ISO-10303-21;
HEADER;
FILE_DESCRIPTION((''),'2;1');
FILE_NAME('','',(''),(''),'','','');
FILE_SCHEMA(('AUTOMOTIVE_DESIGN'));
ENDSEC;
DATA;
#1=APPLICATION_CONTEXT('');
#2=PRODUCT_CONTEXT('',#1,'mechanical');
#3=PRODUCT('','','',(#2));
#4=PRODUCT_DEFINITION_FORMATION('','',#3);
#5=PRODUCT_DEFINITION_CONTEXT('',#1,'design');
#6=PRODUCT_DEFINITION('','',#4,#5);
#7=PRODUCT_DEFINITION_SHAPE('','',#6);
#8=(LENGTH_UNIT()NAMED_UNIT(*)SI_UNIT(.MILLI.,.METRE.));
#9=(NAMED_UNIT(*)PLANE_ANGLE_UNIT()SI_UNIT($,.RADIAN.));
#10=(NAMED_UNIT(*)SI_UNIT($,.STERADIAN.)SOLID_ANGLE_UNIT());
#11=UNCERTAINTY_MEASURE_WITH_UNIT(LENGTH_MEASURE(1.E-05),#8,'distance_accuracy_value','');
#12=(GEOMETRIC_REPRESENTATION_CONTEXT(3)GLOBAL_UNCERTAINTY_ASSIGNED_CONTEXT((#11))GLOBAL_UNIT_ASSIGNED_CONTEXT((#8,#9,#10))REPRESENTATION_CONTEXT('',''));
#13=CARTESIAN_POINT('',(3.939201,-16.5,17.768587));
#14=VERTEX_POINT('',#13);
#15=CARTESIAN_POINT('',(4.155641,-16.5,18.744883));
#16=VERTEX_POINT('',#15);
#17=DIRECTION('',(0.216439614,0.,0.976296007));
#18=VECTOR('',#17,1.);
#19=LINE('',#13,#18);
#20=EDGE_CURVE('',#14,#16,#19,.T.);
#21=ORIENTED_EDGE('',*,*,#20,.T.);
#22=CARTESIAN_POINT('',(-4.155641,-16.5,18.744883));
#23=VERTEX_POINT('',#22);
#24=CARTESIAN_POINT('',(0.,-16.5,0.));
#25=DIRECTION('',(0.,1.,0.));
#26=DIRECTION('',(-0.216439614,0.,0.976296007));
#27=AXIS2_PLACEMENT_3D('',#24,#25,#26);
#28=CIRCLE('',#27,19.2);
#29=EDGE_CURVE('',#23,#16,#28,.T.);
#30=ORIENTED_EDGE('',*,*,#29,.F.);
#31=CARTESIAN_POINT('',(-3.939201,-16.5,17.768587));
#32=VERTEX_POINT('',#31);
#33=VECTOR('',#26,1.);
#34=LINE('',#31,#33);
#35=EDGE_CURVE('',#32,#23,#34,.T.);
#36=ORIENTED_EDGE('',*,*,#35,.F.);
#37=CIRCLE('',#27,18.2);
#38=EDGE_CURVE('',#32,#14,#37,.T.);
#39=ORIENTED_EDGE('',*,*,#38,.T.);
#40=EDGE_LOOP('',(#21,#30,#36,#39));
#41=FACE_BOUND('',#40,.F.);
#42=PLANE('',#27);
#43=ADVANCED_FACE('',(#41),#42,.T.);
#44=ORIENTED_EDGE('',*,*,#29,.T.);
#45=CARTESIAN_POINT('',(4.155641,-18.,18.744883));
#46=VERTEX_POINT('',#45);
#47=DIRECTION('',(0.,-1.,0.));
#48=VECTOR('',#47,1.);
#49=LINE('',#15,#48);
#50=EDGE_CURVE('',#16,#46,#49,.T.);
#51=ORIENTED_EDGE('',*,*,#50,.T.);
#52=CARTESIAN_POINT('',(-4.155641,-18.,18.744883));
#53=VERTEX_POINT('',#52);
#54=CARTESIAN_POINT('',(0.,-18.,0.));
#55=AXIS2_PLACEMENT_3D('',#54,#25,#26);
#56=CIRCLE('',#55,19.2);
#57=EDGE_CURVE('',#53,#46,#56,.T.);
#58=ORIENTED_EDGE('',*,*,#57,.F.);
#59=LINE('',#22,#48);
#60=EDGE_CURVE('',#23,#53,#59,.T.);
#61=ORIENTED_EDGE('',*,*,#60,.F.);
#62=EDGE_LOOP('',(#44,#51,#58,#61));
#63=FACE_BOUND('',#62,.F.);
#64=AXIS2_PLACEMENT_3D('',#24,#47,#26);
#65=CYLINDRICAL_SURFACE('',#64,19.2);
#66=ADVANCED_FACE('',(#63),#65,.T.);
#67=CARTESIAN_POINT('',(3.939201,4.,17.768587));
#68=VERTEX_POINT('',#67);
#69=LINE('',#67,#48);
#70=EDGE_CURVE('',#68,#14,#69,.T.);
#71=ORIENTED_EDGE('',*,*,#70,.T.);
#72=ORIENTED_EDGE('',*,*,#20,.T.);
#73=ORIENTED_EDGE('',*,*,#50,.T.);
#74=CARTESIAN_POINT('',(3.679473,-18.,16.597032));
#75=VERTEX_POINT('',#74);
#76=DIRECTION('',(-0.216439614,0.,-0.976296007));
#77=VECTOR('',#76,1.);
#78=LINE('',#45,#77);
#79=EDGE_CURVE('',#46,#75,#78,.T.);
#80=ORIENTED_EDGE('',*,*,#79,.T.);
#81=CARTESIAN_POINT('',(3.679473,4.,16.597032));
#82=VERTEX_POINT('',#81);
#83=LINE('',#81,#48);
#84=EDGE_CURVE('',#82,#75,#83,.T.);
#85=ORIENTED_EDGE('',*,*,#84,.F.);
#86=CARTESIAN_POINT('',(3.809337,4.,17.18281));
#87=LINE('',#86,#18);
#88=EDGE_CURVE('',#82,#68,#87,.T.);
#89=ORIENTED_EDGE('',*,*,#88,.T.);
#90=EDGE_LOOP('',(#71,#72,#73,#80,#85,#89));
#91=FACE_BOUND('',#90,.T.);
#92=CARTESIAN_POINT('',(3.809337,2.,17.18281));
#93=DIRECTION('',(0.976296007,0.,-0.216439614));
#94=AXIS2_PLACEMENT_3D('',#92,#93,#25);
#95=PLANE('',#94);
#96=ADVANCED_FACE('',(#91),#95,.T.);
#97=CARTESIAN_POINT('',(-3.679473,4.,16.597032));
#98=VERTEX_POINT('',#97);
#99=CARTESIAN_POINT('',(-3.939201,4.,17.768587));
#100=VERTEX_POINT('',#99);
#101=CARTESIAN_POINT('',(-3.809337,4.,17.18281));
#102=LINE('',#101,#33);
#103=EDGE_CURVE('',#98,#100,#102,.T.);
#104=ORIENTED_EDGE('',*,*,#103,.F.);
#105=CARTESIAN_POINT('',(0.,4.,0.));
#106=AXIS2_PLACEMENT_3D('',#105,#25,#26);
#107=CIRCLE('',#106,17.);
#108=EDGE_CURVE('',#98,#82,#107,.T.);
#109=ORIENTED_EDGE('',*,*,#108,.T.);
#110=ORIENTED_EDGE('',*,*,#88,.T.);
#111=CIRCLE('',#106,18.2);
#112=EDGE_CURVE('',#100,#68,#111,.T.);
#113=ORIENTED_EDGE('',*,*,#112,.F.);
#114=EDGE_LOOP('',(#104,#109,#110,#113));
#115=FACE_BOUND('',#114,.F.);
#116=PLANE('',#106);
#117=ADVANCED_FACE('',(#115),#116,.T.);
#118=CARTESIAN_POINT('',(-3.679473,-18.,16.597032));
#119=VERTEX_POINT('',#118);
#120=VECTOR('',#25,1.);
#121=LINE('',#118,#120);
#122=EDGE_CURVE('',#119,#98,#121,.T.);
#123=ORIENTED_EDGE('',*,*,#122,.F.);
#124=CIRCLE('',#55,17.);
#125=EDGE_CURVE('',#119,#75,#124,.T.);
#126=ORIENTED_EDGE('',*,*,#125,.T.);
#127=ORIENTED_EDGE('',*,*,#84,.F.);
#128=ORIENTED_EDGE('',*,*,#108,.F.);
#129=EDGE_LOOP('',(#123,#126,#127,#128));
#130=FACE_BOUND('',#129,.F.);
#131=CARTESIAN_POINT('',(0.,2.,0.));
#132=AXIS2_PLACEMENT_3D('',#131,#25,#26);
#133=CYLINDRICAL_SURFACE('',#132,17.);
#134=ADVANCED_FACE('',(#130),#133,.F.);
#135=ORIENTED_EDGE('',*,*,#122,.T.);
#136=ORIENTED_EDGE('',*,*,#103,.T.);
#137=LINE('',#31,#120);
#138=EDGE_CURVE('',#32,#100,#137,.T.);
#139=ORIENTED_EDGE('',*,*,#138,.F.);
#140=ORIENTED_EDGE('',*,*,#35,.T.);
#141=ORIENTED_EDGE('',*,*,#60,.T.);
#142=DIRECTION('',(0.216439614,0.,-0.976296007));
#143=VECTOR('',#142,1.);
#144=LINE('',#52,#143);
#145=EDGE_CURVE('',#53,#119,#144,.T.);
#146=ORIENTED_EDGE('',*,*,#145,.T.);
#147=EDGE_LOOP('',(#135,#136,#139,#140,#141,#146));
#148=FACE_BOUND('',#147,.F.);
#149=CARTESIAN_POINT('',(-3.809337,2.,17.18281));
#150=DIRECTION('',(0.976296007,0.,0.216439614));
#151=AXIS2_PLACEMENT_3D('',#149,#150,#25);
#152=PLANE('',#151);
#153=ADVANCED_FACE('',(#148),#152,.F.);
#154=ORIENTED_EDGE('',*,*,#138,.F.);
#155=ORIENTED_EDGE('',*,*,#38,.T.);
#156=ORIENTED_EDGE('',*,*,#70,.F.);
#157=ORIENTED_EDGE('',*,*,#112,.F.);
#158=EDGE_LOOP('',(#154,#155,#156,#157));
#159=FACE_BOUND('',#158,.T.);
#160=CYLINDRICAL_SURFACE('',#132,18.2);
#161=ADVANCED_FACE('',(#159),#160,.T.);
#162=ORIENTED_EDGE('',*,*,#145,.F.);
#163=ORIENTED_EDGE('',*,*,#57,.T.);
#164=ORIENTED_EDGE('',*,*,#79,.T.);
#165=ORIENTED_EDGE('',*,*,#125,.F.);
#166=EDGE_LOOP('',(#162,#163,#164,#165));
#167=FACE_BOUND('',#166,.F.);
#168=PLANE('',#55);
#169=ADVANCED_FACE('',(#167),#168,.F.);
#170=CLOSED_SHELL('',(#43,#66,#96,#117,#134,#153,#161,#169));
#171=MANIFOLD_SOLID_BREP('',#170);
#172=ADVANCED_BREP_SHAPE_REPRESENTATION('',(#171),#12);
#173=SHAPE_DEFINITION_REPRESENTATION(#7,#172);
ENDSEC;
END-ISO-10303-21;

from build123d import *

# Parameters (mm, degrees)
F1_ANGLE_BACK = 12.5
F1_ANGLE      = 25
F2_W          = 4
F2_H          = 1.2
F3_ANGLE_BACK = 12.5
F3_ANGLE      = 25


with BuildPart() as f1:
    # F0 (on Right) → F1 (revolve)
    with BuildSketch(Plane.YZ, mode=Mode.PRIVATE) as f1_sk:
        Polygon((0, 18.2), (-16.5, 18.2), (-16.5, 19.2), (-18, 19.2), (-18, 17), (0, 17), align=None)
    revolve(f1_sk.sketch.rotate(Axis((0, 7.2532626098, 0), (0, 1, 0)), -F1_ANGLE_BACK), axis=Axis((0, 7.2532626098, 0), (0, 1, 0)), revolution_arc=F1_ANGLE)

    # F2 (on Right) → F3 (revolve)
    with BuildSketch(Plane.YZ, mode=Mode.PRIVATE) as f3_sk:
        with Locations((2, 17.6)):
            Rectangle(F2_W, F2_H)
    revolve(f3_sk.sketch.rotate(Axis((0, 7.2532626098, 0), (0, 1, 0)), -F3_ANGLE_BACK), axis=Axis((0, 7.2532626098, 0), (0, 1, 0)), revolution_arc=F3_ANGLE)


solid = f1.part
